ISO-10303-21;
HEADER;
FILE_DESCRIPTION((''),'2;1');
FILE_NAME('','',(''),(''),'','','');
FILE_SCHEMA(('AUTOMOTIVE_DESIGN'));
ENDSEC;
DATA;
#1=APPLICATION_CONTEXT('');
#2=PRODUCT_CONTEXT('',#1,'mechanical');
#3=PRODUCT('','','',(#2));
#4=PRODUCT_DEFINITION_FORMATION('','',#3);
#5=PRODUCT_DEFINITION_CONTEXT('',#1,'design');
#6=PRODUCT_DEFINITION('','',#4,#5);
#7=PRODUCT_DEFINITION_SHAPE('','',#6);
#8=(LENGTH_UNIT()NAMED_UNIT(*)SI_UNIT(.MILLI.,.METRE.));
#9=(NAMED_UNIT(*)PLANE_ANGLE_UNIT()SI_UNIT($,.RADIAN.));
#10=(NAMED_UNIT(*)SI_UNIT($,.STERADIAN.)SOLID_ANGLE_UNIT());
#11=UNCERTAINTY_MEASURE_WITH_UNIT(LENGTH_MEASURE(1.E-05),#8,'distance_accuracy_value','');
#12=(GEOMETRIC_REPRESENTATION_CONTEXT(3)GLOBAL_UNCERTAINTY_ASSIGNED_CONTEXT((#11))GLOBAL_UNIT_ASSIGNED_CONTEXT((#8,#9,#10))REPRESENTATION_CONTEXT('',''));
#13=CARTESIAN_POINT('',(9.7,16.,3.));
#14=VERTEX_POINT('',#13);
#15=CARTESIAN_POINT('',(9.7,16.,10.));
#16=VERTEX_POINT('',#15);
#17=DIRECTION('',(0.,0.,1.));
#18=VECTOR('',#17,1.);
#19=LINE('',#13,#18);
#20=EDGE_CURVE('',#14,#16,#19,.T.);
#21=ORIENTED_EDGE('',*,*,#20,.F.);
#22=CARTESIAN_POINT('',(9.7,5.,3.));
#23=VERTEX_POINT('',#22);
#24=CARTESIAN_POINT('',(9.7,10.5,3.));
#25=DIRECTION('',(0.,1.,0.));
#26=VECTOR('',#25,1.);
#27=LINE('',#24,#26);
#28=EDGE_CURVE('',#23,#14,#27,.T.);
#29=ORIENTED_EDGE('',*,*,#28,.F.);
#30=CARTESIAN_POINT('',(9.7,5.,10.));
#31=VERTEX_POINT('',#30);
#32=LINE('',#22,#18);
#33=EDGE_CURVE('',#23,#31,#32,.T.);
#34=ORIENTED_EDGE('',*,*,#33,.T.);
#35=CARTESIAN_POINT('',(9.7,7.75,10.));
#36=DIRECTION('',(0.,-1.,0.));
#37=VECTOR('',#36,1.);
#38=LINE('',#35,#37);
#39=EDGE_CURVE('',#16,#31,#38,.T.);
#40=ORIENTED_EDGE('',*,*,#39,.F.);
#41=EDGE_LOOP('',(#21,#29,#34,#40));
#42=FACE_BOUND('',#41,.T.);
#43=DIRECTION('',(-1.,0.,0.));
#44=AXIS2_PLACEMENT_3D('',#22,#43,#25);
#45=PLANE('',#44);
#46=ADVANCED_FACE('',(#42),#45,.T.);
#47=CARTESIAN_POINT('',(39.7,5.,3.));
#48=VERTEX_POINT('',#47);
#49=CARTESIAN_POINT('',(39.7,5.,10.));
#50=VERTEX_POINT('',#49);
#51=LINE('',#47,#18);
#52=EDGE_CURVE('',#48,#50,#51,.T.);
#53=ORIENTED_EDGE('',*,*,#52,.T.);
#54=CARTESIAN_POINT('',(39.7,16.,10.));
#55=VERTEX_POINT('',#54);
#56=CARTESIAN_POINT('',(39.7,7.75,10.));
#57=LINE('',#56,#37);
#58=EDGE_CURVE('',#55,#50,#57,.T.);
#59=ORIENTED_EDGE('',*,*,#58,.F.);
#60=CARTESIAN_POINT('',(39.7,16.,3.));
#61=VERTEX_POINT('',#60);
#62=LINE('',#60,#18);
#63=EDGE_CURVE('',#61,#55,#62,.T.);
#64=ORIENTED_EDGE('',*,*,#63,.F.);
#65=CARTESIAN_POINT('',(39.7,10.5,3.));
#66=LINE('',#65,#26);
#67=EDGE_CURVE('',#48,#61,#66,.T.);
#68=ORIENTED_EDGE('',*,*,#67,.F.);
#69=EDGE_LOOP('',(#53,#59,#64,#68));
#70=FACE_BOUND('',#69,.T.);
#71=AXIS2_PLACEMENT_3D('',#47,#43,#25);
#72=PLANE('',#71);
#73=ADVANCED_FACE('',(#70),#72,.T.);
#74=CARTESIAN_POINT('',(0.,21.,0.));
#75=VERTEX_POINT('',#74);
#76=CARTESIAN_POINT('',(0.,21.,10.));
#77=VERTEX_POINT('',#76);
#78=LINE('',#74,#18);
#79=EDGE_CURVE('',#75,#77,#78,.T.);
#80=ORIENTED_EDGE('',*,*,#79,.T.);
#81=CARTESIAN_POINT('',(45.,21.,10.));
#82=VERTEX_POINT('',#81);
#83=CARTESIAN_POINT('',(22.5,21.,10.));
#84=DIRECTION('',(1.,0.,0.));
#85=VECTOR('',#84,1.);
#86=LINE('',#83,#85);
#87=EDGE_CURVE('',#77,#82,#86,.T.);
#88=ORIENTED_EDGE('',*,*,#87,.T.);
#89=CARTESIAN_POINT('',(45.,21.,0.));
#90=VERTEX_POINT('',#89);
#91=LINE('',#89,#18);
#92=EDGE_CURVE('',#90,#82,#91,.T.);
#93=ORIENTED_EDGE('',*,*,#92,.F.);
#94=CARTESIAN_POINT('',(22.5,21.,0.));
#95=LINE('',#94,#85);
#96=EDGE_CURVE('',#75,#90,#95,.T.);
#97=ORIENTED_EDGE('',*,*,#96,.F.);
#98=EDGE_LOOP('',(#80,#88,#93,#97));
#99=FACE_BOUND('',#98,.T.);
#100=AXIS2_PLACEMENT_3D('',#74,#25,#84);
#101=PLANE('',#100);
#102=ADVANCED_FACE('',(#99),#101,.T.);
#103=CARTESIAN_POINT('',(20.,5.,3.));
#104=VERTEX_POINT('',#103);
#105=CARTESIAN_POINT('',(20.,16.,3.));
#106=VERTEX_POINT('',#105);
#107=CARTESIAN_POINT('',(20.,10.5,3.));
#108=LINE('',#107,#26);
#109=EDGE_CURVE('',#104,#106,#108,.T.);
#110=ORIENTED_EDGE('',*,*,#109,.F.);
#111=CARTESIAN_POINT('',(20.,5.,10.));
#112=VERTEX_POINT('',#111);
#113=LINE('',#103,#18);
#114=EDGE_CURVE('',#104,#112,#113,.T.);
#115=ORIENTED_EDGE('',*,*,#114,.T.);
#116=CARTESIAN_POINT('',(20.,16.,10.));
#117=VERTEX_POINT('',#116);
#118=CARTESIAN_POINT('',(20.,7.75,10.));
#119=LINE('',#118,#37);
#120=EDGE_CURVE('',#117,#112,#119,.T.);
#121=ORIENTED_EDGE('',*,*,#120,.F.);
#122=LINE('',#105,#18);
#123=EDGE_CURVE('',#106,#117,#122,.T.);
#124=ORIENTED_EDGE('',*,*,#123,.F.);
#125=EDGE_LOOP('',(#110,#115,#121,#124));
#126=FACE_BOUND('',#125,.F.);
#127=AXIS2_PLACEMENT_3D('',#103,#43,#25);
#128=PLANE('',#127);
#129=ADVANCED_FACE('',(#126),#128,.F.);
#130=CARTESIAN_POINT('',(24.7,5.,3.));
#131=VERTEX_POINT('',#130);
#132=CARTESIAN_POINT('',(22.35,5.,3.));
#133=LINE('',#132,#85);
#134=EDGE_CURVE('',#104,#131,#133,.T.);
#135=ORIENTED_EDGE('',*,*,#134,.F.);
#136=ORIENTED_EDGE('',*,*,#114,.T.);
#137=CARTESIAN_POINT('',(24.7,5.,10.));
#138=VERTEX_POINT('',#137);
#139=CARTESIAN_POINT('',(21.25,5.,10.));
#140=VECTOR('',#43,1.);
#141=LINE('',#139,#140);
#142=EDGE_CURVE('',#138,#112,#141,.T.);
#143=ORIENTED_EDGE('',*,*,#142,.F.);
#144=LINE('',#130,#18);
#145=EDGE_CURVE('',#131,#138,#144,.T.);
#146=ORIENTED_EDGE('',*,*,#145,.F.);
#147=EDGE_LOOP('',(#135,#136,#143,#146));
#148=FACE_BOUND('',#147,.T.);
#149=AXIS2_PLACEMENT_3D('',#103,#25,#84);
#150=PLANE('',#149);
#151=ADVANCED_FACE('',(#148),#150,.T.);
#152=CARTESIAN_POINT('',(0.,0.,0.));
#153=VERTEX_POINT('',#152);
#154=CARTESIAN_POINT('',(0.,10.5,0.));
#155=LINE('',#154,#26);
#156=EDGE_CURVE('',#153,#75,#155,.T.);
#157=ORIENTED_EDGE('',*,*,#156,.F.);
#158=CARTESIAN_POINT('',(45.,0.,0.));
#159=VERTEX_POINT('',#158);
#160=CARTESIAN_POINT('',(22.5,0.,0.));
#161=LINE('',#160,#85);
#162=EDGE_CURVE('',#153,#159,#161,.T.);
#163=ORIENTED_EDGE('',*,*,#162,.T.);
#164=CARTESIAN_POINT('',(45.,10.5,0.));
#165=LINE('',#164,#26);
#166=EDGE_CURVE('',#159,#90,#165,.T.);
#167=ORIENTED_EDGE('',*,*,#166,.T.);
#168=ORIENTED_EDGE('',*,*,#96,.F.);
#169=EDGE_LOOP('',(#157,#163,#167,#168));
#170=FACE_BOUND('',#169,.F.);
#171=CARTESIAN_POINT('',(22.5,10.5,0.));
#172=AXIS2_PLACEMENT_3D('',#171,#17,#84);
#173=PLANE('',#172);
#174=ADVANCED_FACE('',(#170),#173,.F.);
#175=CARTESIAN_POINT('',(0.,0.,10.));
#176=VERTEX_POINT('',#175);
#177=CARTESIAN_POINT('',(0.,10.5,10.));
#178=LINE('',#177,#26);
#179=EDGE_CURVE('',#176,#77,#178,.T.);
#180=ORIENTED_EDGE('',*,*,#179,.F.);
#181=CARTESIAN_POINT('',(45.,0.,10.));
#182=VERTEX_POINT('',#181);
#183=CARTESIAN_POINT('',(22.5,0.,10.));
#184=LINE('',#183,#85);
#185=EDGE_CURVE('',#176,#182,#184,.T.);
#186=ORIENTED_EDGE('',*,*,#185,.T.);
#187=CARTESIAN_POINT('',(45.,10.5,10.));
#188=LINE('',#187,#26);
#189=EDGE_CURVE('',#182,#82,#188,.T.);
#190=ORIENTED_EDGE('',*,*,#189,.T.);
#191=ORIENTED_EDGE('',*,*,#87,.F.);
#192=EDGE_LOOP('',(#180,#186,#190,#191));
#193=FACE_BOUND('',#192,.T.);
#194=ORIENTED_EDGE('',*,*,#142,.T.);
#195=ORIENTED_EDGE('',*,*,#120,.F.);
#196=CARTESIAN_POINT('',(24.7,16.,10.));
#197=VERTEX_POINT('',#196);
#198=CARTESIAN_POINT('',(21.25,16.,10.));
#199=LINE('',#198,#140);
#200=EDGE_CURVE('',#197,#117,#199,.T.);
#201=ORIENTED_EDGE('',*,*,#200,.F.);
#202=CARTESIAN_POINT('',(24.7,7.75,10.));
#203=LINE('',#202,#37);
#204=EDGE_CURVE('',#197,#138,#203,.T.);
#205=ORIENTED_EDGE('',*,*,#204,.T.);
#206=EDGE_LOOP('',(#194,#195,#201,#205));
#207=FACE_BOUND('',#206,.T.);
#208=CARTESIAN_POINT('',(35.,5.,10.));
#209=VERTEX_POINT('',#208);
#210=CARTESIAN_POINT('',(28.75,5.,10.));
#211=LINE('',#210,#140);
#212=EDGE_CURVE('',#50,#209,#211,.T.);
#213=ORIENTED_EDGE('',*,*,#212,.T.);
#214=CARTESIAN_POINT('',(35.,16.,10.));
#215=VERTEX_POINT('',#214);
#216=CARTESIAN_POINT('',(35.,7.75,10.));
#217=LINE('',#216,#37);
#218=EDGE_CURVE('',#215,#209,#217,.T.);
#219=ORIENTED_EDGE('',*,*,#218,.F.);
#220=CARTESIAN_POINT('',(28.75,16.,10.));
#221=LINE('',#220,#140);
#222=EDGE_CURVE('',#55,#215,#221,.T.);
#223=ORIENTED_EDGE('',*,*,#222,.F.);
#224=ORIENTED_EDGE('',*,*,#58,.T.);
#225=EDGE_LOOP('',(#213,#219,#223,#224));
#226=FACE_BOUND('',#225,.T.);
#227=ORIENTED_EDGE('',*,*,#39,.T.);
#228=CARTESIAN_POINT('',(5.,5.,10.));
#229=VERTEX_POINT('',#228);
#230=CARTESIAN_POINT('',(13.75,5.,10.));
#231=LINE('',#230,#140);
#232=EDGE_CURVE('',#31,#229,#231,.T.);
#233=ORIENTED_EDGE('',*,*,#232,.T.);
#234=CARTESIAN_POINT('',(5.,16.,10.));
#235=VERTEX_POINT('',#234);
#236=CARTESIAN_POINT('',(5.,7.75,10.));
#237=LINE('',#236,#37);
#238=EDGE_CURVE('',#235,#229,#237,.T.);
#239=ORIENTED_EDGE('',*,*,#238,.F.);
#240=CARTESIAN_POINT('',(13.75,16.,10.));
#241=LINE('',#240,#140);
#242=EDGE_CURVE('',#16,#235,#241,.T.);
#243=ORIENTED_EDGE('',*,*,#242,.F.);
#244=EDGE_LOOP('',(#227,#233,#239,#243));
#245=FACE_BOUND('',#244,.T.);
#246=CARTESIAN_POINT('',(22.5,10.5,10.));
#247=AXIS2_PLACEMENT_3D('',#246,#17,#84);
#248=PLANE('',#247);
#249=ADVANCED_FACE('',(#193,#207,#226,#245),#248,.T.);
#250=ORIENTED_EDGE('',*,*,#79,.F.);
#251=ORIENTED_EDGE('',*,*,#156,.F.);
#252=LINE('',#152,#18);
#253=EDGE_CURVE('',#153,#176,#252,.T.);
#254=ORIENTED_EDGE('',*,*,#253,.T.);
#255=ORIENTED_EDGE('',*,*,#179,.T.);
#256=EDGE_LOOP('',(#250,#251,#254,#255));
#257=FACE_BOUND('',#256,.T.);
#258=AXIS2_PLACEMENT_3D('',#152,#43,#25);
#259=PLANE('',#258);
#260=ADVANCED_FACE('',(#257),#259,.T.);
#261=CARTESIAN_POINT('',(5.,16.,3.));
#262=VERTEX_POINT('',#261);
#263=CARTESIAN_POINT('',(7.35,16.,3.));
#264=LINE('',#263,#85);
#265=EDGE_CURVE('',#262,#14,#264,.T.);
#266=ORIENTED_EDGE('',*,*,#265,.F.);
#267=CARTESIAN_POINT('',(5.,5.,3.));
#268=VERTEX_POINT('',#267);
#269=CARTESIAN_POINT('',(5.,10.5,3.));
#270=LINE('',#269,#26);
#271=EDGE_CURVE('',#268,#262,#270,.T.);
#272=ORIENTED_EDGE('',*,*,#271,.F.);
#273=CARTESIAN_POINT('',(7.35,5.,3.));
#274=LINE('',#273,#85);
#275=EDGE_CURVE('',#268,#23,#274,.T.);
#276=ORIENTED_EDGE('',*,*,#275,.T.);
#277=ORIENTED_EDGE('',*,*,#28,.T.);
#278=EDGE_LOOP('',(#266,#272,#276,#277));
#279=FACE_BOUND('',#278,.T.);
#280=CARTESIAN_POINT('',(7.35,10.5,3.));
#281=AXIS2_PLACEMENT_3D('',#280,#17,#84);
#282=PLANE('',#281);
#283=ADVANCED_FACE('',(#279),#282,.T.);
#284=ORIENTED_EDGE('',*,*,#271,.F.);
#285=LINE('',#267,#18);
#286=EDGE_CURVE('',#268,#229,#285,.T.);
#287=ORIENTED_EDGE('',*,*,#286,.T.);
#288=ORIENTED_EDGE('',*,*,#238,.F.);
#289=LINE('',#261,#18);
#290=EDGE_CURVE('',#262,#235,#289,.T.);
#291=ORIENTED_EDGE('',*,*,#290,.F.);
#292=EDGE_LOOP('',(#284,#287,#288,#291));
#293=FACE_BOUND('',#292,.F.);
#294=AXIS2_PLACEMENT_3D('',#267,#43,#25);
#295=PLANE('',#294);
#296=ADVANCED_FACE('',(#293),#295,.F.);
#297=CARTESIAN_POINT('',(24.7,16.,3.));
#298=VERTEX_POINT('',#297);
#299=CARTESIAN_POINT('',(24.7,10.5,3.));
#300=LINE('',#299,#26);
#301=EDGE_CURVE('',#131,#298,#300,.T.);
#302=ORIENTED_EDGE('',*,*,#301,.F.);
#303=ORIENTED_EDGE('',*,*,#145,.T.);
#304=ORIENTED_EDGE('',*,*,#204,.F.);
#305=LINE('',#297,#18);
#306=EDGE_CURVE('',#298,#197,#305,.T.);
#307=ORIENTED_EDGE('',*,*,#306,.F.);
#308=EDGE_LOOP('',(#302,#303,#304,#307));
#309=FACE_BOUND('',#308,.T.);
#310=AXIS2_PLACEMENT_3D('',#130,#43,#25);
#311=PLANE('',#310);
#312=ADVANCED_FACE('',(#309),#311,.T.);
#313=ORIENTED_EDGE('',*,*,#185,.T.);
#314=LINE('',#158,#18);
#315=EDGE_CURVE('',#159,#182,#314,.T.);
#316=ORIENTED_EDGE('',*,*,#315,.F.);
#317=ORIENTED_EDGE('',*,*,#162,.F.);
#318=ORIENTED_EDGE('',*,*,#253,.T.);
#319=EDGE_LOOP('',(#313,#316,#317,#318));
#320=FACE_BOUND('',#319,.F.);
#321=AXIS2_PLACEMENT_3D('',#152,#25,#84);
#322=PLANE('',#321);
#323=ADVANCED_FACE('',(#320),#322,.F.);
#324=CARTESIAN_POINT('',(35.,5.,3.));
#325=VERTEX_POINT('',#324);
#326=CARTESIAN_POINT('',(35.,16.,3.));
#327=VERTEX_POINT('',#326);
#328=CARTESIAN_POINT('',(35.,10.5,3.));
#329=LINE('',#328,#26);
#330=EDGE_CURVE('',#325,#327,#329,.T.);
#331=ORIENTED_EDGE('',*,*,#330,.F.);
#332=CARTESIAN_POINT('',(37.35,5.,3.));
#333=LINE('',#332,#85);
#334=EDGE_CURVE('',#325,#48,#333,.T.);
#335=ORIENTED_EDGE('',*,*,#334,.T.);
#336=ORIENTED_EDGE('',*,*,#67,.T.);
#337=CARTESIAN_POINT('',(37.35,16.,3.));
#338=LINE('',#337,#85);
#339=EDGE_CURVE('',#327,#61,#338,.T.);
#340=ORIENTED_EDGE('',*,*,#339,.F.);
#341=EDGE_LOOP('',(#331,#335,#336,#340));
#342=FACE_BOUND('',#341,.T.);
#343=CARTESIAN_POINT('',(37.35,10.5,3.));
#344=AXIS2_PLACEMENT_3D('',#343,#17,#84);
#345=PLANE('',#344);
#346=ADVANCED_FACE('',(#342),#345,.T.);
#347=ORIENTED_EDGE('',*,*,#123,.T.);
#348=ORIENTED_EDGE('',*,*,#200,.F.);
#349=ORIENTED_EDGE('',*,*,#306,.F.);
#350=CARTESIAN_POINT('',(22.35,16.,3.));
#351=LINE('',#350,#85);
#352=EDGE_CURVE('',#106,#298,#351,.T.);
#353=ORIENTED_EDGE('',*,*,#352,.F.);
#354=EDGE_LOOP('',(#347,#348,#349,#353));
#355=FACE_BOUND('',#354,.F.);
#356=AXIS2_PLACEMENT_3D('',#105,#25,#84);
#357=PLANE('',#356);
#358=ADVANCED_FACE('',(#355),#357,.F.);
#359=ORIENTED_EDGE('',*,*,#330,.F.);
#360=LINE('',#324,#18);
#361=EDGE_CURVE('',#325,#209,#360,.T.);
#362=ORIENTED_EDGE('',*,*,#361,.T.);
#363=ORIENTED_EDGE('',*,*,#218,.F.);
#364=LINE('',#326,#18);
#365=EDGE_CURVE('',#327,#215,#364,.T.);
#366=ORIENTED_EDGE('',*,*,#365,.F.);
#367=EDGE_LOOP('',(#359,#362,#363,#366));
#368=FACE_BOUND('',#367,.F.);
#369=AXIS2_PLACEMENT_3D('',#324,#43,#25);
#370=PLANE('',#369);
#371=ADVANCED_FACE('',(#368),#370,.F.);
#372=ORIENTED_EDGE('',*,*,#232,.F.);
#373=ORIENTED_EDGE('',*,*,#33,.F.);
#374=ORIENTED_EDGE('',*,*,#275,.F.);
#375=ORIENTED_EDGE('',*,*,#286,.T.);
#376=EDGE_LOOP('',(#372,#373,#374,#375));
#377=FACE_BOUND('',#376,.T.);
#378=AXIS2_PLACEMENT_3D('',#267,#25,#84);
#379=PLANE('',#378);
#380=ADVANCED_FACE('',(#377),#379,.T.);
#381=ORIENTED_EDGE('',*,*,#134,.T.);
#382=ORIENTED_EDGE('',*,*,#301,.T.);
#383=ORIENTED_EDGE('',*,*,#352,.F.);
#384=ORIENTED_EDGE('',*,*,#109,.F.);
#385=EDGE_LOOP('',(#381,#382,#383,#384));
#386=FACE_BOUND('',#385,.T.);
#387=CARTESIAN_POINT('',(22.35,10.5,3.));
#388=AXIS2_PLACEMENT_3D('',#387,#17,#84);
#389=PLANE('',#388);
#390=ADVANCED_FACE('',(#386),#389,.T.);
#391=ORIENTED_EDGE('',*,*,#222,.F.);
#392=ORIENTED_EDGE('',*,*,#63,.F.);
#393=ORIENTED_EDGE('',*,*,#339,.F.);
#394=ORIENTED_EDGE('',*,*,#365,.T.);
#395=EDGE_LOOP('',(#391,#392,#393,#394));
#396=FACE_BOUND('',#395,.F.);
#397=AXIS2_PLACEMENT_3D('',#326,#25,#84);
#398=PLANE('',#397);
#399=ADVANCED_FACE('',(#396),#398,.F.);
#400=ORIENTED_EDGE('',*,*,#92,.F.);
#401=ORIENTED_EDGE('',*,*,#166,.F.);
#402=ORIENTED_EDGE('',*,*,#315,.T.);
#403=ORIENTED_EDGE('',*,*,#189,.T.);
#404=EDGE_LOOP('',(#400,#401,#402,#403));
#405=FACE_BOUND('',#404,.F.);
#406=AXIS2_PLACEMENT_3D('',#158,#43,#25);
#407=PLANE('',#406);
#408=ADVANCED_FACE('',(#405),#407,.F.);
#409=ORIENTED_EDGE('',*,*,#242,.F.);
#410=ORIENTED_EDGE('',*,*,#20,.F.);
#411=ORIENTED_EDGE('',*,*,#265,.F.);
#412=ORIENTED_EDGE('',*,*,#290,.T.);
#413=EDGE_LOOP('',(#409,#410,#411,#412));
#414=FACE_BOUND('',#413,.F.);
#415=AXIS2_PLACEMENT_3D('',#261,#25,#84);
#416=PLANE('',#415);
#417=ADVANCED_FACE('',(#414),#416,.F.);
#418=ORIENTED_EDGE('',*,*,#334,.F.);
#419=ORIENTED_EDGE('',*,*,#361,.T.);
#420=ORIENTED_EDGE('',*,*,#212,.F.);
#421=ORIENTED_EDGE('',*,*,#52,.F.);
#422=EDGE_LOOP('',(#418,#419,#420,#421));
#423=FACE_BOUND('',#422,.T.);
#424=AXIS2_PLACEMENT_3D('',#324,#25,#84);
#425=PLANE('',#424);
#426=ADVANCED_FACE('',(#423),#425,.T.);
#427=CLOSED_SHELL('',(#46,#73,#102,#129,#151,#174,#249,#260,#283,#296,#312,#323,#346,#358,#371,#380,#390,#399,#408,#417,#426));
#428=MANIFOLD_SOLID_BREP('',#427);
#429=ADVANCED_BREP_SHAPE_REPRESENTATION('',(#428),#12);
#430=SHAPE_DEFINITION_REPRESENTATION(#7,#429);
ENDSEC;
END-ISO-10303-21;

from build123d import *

# Parameters (mm, degrees)
BOX001_W     = 4.7
BOX001_H     = 11
BOX001_DEPTH = 12
BOX002_W     = 4.7
BOX002_H     = 11
BOX002_DEPTH = 12
BOX_W        = 4.7
BOX_H        = 11
BOX_DEPTH    = 12
BOX003_W     = 45
BOX003_H     = 21
BOX003_DEPTH = 10


with BuildPart() as ranura002:
    # Box001 → Box001 (new body)
    with BuildSketch(Plane(origin=(20, 5, 0), x_dir=(1, 0, 0), z_dir=(0, 0, 1))):
        with Locations((2.35, 5.5)):
            Rectangle(BOX001_W, BOX001_H)
    extrude(amount=BOX001_DEPTH)


with BuildPart() as ranura003:
    # Box002 → Box002 (new body)
    with BuildSketch(Plane(origin=(35, 5, 0), x_dir=(1, 0, 0), z_dir=(0, 0, 1))):
        with Locations((2.35, 5.5)):
            Rectangle(BOX002_W, BOX002_H)
    extrude(amount=BOX002_DEPTH)


with BuildPart() as ranures:
    # Box → Box (new body)
    with BuildSketch(Plane(origin=(5, 5, 0), x_dir=(1, 0, 0), z_dir=(0, 0, 1))):
        with Locations((2.35, 5.5)):
            Rectangle(BOX_W, BOX_H)
    extrude(amount=BOX_DEPTH)

    # Fusion: union ranura002, ranura003
    add(ranura002.part)
    add(ranura003.part)


with BuildPart() as ranures_1:
    # Fusion placement: moved
    add(ranures.part.moved(Location((0, 0, 3))))


with BuildPart() as porta_pendrives:
    # Box003 → Box003 (new body)
    with BuildSketch(Plane.XY):
        with Locations((22.5, 10.5)):
            Rectangle(BOX003_W, BOX003_H)
    extrude(amount=BOX003_DEPTH)

    # Cut: cut ranures
    add(ranures_1.part, mode=Mode.SUBTRACT)


solid = porta_pendrives.part
